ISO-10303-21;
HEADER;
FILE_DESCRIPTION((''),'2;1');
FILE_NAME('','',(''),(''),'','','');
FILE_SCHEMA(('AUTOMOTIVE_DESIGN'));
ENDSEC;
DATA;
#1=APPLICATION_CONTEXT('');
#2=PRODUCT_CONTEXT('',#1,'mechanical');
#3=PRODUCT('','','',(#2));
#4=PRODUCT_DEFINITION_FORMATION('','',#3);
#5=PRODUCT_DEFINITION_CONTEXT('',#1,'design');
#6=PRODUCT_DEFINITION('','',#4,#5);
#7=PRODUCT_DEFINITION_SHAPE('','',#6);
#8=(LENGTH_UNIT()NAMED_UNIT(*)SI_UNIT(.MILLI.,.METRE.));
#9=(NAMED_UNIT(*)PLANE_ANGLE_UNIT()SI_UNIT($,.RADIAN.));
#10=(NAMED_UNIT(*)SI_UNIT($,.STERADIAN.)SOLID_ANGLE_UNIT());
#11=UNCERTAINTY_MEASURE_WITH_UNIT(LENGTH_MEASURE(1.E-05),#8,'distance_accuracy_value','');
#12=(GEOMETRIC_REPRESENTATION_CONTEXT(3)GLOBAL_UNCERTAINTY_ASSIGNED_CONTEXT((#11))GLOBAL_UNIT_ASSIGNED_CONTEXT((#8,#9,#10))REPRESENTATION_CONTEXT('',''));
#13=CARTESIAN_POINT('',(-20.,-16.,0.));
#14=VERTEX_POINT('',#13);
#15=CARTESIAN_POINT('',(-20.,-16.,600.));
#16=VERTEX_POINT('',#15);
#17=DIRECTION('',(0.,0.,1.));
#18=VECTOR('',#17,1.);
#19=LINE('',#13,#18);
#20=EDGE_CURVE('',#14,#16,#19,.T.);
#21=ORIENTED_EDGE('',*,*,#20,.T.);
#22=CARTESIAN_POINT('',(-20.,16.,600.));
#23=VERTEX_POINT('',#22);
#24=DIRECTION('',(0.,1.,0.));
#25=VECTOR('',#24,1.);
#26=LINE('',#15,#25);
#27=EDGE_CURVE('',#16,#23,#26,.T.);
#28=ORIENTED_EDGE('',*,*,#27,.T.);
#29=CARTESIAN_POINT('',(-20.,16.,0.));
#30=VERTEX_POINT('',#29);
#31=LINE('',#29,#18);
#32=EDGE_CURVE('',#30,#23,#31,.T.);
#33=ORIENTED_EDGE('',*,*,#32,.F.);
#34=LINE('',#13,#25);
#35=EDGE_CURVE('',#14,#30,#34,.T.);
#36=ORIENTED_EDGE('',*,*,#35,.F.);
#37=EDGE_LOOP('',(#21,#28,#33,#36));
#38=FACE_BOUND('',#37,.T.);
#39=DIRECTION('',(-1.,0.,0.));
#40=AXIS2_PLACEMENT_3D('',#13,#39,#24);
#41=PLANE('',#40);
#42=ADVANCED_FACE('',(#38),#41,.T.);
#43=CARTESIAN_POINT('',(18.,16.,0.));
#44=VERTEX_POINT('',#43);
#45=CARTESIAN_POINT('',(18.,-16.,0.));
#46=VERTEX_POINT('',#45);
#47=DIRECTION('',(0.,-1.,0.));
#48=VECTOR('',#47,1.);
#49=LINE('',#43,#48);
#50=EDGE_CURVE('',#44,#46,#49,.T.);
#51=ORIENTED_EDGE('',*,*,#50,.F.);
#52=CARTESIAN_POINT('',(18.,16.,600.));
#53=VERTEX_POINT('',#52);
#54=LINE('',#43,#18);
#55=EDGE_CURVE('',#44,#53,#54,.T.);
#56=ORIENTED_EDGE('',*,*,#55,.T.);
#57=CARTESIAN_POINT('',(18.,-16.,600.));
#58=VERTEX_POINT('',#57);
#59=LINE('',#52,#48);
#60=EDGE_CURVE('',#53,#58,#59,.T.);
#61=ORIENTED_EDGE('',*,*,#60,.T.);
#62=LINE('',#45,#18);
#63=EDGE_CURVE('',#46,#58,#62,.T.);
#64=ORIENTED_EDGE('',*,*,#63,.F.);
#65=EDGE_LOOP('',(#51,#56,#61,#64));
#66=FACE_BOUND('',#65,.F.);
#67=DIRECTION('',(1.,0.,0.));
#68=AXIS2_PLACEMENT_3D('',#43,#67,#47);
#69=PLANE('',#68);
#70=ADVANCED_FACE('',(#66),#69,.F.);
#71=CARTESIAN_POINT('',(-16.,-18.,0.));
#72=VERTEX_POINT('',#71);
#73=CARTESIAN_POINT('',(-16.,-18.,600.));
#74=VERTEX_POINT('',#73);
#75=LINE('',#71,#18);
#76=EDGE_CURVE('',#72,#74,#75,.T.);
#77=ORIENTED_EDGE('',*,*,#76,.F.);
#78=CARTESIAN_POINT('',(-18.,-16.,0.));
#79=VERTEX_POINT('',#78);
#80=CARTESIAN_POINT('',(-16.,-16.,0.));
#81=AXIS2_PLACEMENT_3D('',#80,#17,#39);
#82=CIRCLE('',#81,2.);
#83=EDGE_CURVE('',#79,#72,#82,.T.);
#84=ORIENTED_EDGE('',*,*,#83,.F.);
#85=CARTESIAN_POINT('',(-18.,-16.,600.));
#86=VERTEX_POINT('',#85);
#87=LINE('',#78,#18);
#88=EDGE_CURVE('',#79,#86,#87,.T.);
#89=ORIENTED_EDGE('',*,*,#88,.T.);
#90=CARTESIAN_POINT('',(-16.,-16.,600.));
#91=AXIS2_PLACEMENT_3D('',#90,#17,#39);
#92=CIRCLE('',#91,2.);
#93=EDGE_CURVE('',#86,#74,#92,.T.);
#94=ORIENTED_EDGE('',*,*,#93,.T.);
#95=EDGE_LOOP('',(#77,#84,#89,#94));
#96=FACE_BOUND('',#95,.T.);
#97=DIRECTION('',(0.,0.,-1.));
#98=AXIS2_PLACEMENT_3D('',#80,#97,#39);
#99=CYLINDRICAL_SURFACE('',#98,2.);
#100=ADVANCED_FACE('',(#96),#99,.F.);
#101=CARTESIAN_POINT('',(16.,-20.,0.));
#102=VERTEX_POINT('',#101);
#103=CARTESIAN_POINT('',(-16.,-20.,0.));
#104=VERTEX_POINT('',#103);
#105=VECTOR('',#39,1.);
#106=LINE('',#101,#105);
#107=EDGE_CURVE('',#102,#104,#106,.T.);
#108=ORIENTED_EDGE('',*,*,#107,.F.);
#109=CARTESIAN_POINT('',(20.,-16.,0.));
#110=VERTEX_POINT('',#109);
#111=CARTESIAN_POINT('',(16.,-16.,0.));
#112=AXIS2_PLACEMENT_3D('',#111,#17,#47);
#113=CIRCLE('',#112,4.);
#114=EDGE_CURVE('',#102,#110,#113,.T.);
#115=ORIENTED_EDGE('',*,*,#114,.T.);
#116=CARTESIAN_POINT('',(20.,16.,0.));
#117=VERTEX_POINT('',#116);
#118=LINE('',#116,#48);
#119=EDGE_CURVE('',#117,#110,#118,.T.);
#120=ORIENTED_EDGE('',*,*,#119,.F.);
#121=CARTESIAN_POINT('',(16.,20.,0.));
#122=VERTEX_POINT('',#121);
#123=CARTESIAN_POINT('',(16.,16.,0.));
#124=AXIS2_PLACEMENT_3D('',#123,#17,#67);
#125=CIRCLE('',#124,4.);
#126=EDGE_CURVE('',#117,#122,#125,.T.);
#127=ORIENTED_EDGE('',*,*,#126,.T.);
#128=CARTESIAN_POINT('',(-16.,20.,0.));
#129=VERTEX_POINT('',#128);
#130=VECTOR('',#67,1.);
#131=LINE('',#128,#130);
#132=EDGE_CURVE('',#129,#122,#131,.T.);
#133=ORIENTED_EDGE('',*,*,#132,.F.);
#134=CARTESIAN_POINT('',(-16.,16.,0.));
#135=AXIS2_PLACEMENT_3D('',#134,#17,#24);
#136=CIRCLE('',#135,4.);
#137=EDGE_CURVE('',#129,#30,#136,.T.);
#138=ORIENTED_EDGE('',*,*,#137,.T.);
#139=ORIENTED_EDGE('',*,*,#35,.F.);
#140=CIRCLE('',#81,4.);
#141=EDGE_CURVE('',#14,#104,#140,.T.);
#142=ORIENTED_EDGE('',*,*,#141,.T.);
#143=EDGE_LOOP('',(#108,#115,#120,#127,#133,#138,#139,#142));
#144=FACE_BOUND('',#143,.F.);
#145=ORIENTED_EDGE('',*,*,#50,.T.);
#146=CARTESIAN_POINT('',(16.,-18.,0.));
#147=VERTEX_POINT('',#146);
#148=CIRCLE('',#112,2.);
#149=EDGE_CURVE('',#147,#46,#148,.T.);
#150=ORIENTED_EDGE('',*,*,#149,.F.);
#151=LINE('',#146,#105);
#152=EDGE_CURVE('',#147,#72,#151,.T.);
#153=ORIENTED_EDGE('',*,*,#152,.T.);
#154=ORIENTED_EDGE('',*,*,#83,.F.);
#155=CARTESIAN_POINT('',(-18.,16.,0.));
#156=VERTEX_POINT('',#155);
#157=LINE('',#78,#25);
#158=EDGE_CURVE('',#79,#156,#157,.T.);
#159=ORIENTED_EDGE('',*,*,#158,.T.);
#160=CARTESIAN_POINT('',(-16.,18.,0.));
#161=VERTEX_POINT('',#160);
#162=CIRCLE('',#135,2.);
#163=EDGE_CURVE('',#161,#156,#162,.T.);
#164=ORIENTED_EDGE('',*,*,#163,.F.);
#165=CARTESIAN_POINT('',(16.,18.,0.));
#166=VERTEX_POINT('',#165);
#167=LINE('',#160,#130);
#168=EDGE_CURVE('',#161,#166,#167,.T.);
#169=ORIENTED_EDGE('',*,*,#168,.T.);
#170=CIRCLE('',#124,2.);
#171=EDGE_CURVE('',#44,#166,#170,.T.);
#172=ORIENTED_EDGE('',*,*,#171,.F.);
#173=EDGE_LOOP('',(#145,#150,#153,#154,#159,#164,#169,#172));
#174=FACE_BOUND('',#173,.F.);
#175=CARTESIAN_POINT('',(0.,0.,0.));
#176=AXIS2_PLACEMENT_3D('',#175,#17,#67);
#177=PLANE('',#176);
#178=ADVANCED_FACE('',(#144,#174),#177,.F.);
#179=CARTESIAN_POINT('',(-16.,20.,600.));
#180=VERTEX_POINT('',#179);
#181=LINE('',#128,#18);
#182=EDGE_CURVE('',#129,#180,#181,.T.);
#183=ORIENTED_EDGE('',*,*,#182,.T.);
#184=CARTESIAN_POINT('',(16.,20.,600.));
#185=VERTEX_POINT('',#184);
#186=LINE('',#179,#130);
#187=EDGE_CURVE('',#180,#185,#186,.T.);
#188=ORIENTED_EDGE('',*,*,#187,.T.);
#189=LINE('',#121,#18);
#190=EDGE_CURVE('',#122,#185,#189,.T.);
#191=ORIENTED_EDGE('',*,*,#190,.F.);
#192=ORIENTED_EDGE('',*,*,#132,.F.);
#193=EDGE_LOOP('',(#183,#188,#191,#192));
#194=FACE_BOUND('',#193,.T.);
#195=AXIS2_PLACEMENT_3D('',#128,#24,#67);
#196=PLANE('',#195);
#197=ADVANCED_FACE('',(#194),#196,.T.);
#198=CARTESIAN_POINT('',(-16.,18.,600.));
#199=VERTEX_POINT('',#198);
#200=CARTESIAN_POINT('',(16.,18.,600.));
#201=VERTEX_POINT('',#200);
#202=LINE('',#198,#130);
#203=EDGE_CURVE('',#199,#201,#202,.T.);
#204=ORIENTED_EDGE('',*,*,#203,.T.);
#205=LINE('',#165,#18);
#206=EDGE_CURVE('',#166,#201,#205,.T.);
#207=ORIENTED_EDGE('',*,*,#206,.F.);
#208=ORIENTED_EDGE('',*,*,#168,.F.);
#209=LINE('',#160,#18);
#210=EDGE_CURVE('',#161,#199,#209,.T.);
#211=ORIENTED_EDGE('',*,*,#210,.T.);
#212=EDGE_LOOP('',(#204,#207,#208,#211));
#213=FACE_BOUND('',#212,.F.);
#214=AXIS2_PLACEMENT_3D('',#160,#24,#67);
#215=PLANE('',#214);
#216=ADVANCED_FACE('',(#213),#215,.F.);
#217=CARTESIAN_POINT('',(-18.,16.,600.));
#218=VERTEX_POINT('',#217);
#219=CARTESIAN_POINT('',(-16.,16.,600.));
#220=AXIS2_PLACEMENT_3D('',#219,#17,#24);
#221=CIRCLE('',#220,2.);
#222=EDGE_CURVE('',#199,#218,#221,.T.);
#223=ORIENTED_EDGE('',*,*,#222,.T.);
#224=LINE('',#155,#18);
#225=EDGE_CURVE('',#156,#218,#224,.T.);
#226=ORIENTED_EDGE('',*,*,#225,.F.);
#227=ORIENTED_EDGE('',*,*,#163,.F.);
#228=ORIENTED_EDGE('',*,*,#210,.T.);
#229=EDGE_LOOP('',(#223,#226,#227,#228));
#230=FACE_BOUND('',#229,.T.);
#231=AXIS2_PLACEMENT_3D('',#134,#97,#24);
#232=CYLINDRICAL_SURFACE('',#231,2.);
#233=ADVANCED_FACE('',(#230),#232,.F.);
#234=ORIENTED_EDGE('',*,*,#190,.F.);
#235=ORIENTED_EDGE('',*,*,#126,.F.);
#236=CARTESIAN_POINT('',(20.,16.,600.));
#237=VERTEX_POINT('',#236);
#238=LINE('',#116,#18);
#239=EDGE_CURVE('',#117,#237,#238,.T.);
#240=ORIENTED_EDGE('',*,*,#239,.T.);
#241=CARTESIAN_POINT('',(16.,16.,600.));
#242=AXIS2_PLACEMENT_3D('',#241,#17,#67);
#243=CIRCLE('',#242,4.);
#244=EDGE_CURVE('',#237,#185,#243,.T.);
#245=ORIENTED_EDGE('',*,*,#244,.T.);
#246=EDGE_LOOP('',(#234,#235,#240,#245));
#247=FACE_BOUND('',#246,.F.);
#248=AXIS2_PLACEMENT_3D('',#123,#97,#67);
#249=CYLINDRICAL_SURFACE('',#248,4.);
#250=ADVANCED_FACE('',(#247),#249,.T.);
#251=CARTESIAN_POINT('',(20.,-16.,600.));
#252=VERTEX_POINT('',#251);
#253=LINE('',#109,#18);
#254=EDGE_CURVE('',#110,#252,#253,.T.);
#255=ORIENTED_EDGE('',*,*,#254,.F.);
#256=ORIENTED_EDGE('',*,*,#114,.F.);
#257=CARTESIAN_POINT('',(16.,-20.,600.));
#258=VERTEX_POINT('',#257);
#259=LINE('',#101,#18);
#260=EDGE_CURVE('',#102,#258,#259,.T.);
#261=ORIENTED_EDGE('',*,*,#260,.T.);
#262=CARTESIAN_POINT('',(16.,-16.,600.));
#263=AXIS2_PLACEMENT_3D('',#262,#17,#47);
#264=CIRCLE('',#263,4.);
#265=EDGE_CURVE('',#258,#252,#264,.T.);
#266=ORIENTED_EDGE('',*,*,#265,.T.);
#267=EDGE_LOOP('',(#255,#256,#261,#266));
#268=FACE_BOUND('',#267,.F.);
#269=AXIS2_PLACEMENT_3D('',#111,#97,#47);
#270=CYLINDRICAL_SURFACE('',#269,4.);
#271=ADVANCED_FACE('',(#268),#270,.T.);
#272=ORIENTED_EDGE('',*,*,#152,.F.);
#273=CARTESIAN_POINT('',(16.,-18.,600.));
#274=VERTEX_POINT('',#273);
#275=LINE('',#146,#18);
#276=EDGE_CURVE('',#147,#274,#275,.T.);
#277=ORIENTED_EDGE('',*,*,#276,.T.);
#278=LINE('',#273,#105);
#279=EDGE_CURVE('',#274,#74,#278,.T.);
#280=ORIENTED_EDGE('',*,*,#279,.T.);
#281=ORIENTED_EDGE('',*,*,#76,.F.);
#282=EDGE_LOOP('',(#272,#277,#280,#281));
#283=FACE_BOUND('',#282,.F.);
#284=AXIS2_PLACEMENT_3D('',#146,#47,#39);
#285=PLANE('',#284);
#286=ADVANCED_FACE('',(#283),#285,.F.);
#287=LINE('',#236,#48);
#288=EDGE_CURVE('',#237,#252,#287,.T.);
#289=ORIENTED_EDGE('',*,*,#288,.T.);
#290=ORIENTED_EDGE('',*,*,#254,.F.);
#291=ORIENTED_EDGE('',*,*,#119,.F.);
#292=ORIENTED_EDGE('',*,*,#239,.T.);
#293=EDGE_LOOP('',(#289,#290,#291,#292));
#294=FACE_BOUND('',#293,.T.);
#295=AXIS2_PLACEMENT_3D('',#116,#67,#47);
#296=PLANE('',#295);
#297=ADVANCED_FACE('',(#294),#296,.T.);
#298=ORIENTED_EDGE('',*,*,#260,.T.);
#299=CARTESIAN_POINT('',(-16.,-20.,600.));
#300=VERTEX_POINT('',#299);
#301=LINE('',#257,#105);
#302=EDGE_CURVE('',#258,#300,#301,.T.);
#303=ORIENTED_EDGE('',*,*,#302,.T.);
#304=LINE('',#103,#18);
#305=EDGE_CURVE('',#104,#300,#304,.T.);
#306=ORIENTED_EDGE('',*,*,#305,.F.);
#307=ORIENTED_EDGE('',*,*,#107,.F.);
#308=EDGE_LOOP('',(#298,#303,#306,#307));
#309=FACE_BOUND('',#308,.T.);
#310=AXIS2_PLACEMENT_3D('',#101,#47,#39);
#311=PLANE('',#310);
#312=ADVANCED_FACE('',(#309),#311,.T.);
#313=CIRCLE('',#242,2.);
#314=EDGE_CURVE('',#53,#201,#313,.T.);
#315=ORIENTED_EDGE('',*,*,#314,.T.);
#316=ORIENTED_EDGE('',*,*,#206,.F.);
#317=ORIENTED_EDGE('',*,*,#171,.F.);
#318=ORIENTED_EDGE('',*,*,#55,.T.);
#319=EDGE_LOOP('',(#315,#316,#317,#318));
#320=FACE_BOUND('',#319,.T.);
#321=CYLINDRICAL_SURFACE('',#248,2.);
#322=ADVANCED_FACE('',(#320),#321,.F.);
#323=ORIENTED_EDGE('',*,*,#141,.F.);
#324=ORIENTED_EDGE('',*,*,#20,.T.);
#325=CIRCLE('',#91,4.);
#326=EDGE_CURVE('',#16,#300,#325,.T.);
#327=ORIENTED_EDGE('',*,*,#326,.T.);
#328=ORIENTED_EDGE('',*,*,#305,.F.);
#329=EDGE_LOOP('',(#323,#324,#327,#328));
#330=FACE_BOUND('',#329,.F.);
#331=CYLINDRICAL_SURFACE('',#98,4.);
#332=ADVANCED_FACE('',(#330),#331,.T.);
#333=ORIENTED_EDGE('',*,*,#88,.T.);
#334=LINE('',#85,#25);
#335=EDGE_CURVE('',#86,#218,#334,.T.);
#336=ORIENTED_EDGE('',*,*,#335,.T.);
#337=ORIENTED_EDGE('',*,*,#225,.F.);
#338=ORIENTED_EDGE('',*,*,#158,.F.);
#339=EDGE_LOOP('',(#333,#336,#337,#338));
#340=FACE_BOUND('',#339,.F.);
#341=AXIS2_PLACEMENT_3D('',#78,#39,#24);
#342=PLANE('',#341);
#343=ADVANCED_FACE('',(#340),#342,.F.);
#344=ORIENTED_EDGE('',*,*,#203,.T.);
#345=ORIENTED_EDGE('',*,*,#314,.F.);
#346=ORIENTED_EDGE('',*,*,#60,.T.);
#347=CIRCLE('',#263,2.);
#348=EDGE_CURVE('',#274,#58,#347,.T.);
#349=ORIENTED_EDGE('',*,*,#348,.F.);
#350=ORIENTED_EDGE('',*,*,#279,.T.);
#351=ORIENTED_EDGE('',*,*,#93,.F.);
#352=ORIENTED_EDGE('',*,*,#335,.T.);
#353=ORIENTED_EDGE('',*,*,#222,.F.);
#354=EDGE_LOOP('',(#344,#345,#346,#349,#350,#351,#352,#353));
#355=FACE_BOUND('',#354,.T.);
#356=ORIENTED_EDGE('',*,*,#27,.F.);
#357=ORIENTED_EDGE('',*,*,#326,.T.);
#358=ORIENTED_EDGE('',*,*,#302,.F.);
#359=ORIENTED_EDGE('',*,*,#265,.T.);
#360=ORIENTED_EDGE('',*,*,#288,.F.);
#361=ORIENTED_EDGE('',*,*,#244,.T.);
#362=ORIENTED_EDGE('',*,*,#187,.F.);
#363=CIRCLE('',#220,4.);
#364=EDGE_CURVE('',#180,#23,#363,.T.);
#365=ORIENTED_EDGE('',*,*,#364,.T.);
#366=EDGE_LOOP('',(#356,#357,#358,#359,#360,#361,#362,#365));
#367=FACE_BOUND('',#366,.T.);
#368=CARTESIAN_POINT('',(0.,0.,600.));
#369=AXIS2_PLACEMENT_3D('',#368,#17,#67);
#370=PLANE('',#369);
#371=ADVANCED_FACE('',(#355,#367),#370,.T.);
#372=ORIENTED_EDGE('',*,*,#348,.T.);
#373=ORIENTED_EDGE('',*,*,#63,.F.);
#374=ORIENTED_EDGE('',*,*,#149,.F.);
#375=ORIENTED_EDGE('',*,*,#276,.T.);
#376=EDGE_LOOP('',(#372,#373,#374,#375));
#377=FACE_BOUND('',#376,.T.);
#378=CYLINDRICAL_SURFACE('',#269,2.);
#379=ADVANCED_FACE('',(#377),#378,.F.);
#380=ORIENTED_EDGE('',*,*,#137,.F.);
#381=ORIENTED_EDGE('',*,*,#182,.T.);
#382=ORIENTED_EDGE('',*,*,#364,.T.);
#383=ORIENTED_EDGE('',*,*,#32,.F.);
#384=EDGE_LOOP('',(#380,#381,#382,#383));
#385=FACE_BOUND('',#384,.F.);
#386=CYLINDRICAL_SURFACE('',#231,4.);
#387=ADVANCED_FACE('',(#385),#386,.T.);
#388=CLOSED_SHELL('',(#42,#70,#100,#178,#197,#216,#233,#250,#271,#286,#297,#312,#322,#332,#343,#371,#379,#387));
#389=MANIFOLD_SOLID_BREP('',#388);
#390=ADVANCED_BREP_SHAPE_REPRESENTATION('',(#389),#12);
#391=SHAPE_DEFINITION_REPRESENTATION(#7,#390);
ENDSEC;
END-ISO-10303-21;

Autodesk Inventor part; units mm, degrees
ref_plane "YZ Plane" through (0, 0, 0) normal (1, 0, 0) x (0, 1, 0)
ref_plane "Start Plane" through (0, 0, 0) normal (0, 0, 1) x (1, 0, 0)
ref_plane "End Plane" through (0, 0, 600) normal (0, 0, 1) x (1, 0, 0)
sketch "Sketch" plane through (0, 0, 0) normal (0, 0, 1) x (1, 0, 0)
  line L0 (-20, -16) -> (-20, 16)
  line L1 (-16, 20) -> (16, 20)
  line L2 (20, 16) -> (20, -16)
  line L3 (16, -20) -> (-16, -20)
  arc A0 (-20, -16) -> (-16, -20) centre (-16, -16) ccw
  arc A1 (20, 16) -> (16, 20) centre (16, 16) ccw
  arc A2 (-16, 20) -> (-20, 16) centre (-16, 16) ccw
  arc A3 (16, -20) -> (20, -16) centre (16, -16) ccw
  arc A4 (-16, 18) -> (-18, 16) centre (-16, 16) ccw
  line L4 (-16, 18) -> (16, 18)
  arc A5 (18, 16) -> (16, 18) centre (16, 16) ccw
  line L5 (18, 16) -> (18, -16)
  arc A6 (16, -18) -> (18, -16) centre (16, -16) ccw
  line L6 (16, -18) -> (-16, -18)
  arc A7 (-18, -16) -> (-16, -18) centre (-16, -16) ccw
  line L7 (-18, -16) -> (-18, 16)
  line L8 (0, 29.1598) -> (0, -29.1598) construction
  line L9 (-29.1598, 0) -> (29.1598, 0) construction
  dimension "d7" = 4
  dimension "d9" = 40
  dimension "d11" = 40
  dimension "d12" = 2
  dimension "d15" = 20
  dimension "d16" = 20
extrude "Body" add sketch "Sketch" along normal up to surface (600 mm away) from surface at 0
sketch "Sketch3" plane through (0, 0, 0) normal (0, 0, 1) x (1, 0, 0)
  line L0 (0, 0) -> (10, 0)
ref_plane "Work Plane3" through (0, 0, 0) normal (0, -1, 0) x (1, 0, 0)
sketch "Sketch4" plane through (0, 0, 0) normal (0, -1, 0) x (1, 0, 0)
  line L0 (-2, 0) -> (12, 0) projected
  line L1 (-2, 600) -> (12, 600) projected
  dimension "d18" = 600
equation "\"d7\" = G_IR"
equation "\"d9\" = G_W"
equation "\"d11\" = G_H"
equation "\"d12\" = G_T"
equation "\"d15\" = 0.5 * d9"
equation "\"d16\" = 0.5 * d11"
equation "\"d3\" = G_L"
equation "\"G_W\" = 40"
equation "\"G_H\" = 40"
equation "\"G_T\" = 2"
equation "\"G_IR\" = 4"
equation "\"G_L\" = d18"
equation "\"G_OFFSET_START\" = 0"
equation "\"G_OFFSET_END\" = 0"
properties part number "ISO 4019 - 40x40x2 - 600" material "Steel, Mild"
